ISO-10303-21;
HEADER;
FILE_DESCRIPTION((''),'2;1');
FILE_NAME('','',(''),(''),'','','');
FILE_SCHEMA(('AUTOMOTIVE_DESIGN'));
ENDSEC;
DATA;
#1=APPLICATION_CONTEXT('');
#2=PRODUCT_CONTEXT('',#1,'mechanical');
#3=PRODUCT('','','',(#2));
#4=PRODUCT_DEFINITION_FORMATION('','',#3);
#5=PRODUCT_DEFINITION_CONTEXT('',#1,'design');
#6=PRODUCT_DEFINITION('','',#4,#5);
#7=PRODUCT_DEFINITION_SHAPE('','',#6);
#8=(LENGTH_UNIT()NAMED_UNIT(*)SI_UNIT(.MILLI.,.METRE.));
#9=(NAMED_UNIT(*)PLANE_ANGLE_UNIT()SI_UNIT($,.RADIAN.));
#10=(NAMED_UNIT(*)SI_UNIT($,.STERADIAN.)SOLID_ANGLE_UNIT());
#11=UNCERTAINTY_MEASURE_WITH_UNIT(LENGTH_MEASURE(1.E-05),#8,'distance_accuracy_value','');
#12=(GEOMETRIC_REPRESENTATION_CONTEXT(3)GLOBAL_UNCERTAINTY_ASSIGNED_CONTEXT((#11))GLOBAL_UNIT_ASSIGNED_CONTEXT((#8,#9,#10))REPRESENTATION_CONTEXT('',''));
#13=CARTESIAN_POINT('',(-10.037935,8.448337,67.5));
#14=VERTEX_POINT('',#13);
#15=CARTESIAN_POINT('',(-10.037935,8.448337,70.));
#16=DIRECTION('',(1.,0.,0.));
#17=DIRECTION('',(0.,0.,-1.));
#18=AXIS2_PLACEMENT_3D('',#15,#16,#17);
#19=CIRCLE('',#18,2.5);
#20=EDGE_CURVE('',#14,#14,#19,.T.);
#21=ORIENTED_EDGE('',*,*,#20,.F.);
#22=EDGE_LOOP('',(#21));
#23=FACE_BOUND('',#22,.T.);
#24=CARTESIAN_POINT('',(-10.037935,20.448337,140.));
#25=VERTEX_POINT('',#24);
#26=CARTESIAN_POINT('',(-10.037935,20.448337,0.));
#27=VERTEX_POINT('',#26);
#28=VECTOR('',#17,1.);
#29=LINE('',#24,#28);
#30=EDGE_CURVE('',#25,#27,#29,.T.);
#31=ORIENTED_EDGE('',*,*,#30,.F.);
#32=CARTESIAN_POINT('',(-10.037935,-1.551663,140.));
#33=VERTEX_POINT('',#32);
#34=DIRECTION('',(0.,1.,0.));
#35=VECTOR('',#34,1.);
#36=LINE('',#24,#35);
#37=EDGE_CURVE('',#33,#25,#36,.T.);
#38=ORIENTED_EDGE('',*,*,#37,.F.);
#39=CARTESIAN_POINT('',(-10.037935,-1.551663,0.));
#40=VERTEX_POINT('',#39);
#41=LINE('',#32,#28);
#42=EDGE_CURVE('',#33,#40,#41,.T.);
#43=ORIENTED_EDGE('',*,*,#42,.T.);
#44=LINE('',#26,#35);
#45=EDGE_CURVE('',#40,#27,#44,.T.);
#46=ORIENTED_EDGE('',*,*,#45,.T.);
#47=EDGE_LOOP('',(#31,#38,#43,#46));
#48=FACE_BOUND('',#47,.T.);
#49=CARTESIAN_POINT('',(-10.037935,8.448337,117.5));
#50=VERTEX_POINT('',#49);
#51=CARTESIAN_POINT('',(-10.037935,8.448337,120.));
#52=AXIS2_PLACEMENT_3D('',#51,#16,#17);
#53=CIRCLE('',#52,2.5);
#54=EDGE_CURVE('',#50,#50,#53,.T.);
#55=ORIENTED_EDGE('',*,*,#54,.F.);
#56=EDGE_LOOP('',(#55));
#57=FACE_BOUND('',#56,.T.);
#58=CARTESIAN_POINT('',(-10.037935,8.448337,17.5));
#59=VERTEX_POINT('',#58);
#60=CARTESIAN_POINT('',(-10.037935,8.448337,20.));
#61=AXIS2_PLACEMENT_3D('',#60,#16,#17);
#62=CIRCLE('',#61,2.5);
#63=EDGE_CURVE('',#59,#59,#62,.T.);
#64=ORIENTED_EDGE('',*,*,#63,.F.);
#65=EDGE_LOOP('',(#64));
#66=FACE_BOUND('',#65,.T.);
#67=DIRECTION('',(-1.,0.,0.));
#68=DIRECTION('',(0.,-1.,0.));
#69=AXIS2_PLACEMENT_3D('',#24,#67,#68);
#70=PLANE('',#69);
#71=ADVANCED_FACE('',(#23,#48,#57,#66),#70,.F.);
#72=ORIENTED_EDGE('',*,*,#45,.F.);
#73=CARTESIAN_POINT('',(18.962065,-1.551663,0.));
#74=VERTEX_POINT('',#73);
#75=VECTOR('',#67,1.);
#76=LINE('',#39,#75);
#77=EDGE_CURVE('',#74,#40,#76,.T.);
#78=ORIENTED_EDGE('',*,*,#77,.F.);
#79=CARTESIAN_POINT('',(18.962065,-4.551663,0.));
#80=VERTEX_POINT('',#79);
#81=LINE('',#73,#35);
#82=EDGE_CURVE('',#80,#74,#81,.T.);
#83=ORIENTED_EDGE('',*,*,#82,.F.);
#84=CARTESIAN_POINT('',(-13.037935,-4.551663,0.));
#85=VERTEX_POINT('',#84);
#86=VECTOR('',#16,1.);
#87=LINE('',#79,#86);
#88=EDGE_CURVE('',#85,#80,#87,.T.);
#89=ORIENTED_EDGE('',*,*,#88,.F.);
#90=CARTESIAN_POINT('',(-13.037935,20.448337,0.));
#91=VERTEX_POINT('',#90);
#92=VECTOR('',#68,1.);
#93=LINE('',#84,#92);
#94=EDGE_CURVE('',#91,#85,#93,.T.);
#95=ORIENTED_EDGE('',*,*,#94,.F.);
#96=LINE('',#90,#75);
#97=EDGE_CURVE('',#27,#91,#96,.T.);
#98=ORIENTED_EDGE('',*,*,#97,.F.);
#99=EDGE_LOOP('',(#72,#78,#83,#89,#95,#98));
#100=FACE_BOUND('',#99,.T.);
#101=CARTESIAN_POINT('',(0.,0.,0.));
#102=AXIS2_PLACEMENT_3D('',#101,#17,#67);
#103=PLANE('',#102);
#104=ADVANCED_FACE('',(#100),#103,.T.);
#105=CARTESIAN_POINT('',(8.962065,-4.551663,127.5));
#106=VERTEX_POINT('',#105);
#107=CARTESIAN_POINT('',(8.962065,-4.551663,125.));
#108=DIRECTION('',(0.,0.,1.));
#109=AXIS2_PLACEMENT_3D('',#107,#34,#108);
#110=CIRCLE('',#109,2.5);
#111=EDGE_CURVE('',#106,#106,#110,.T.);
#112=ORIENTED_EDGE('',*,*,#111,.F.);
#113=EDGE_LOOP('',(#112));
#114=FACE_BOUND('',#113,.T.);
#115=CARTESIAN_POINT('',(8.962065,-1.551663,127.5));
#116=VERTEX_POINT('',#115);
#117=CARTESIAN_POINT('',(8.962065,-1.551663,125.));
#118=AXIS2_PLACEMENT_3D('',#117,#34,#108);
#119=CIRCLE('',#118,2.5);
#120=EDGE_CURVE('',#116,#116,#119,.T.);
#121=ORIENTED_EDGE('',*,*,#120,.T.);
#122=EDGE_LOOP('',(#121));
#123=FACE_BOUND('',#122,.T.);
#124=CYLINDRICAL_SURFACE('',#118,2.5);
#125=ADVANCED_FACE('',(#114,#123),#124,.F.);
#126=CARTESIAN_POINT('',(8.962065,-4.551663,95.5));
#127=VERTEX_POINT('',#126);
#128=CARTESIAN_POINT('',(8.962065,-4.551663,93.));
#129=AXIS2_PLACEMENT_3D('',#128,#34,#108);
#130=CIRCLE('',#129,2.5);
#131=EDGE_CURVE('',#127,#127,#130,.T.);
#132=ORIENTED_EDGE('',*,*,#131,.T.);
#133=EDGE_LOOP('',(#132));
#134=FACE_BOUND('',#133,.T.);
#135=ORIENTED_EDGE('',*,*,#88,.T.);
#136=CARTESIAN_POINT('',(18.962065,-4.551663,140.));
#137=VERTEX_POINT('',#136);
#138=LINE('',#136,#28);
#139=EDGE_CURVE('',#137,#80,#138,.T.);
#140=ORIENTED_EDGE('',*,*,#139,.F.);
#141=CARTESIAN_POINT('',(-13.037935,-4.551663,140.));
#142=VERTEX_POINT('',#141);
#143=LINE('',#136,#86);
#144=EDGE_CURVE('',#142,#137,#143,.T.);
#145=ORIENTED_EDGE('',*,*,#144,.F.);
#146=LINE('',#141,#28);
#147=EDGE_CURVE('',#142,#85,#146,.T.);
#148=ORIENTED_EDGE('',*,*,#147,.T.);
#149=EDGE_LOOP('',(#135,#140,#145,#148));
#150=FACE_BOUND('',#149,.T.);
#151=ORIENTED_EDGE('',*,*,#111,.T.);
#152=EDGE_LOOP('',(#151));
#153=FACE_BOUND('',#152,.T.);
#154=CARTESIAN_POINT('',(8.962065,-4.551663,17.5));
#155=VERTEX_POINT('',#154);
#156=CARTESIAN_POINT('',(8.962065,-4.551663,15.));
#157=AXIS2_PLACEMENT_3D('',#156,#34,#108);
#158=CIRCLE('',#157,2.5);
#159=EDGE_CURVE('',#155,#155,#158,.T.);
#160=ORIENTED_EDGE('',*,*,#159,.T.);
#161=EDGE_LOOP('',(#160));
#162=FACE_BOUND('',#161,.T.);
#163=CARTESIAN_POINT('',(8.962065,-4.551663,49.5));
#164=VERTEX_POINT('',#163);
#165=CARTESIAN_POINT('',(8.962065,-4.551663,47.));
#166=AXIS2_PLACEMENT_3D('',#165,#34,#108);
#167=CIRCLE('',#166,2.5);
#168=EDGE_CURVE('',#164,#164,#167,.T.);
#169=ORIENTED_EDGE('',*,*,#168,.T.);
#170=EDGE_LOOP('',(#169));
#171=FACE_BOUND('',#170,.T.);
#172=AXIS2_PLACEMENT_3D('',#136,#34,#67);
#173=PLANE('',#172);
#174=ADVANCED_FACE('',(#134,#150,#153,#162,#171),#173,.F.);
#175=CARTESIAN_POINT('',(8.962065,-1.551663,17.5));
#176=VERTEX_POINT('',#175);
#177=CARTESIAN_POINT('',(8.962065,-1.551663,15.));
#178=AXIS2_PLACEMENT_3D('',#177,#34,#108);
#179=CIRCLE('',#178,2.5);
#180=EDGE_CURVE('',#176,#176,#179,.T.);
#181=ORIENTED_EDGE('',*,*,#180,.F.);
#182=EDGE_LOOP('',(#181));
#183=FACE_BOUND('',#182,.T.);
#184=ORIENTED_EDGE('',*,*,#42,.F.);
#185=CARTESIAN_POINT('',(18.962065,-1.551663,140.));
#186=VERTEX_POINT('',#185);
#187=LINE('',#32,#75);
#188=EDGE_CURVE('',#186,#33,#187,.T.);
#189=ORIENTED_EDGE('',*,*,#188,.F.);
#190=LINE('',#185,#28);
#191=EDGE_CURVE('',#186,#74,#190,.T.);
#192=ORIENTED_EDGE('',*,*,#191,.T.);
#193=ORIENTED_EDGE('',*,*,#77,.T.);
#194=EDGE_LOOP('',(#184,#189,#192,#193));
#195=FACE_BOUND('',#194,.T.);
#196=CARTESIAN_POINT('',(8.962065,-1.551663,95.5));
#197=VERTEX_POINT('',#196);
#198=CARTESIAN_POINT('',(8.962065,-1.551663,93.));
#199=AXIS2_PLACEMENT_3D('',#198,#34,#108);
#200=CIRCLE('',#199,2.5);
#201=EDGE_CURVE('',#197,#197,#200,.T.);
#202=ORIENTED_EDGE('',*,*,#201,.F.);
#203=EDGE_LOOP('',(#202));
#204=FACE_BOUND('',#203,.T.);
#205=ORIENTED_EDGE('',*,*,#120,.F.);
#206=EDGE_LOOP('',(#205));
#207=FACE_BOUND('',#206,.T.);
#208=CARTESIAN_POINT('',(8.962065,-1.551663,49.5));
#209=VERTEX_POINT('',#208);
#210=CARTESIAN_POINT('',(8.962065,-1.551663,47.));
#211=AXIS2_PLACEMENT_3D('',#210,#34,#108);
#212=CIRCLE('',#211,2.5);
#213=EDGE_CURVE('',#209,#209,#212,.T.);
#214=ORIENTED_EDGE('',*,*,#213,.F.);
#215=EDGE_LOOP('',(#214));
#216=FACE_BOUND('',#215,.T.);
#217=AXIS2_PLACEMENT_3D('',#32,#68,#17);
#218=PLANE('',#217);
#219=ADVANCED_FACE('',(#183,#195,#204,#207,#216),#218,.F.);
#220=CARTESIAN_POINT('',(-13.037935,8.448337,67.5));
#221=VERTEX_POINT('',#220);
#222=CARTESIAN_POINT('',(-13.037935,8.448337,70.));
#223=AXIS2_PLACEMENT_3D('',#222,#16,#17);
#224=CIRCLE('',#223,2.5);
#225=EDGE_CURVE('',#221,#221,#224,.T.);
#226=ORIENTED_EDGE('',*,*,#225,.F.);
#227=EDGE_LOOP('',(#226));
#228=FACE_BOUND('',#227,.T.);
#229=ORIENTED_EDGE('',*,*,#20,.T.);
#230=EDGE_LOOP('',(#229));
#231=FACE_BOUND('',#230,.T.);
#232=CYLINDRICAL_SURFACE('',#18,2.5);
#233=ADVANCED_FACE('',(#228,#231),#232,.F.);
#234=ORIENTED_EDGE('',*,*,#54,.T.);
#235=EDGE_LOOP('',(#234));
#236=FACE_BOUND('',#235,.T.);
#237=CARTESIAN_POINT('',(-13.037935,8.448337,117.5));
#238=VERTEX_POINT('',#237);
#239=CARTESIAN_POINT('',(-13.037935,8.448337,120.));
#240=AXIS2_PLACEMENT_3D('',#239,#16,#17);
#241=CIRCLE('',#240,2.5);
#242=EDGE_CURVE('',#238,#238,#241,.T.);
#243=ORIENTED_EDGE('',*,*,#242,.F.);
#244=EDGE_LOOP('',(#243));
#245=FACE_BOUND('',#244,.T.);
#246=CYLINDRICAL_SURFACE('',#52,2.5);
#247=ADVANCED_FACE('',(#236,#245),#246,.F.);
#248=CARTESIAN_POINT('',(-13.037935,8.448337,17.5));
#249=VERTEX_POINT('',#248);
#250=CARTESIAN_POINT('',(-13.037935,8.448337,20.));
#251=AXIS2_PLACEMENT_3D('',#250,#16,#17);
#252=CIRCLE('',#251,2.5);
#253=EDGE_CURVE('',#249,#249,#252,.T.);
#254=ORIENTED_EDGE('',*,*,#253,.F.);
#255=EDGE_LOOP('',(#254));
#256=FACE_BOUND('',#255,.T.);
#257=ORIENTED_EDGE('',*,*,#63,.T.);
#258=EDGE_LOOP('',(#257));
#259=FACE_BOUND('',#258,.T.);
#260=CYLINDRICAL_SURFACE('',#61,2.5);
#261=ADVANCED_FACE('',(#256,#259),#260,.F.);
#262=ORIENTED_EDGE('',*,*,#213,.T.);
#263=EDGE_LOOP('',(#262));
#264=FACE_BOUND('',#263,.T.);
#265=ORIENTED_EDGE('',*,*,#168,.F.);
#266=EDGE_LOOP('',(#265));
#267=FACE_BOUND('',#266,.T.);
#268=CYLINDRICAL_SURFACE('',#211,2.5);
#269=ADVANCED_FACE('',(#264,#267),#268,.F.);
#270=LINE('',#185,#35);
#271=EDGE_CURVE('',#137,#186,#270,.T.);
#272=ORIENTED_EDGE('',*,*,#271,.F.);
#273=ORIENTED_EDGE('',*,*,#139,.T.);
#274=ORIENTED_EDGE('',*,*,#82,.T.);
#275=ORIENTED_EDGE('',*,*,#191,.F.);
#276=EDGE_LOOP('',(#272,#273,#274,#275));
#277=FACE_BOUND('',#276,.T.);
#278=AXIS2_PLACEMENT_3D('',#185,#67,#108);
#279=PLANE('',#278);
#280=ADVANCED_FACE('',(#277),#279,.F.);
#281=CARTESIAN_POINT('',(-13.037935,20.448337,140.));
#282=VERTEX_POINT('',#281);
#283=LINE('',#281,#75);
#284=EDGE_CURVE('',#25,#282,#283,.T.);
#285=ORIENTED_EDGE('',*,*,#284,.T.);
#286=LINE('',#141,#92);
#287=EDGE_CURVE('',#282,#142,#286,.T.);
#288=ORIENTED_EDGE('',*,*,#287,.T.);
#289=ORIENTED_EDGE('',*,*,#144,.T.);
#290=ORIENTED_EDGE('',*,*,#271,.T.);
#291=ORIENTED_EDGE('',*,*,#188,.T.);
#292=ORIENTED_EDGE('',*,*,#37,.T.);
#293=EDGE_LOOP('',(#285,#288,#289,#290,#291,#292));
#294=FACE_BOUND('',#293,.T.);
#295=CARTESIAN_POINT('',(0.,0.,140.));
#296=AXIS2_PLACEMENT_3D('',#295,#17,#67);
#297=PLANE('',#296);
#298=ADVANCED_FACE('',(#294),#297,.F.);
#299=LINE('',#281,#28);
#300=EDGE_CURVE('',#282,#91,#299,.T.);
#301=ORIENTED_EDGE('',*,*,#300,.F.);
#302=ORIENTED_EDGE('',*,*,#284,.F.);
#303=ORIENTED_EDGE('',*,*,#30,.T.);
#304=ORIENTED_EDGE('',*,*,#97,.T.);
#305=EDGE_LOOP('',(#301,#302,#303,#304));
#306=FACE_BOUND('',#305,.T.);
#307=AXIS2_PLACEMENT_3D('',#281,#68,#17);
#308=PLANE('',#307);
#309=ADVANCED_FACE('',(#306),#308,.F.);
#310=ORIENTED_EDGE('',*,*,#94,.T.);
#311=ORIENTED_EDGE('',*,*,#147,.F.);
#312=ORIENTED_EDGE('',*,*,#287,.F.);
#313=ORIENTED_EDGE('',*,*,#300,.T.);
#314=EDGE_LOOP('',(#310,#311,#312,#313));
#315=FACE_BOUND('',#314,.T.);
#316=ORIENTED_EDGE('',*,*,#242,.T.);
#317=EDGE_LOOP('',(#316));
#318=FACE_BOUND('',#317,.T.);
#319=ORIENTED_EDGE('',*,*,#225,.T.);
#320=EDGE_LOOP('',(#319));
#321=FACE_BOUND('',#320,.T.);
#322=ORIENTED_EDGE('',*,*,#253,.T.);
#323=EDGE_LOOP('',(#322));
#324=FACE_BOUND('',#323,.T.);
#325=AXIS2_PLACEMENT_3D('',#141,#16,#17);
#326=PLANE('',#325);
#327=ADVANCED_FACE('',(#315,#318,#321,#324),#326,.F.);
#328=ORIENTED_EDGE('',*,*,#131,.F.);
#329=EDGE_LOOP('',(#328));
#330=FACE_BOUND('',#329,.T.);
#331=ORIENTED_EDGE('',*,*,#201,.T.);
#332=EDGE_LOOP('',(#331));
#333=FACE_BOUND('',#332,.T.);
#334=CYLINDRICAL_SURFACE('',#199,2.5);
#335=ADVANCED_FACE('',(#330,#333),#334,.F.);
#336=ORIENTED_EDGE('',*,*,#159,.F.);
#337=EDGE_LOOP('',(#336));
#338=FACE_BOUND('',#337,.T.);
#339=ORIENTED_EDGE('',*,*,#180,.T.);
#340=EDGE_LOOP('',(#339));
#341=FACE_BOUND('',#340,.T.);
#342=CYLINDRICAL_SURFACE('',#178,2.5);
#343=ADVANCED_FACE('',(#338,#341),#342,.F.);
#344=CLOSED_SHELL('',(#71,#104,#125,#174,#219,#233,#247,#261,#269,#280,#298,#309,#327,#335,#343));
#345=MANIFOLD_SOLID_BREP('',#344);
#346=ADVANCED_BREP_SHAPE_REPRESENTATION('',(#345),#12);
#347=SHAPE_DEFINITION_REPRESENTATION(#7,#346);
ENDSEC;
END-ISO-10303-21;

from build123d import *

# Parameters (mm, degrees)
BOSS_EXTRUDE2_DEPTH            = 140
HOLE_FOR_M5_300_SC_NUTS_SP_1_D = 5
HOLE_FOR_M5_300_SC_NUTS_SP_2_D = 5


with BuildPart() as part:
    # Sketch2 → Boss-Extrude2 (new body)
    with BuildSketch(Plane.XY):
        Polygon((-10.037935248, 20.448337429), (-10.037935248, -1.551662571), (18.962064752, -1.551662571), (18.962064752, -4.551662571), (-13.037935248, -4.551662571), (-13.037935248, 20.448337429), align=None)
    extrude(amount=BOSS_EXTRUDE2_DEPTH)

    # Hole for M5 300® SC Nuts (SP)1 (through all)
    with Locations(Plane(origin=(8.962064752, -1.551662571, 15), x_dir=(0, 0, 1), z_dir=(0, 1, 0))):
        with Locations((0, 0), (32, 0), (78, 0), (110, 0)):
            Hole(HOLE_FOR_M5_300_SC_NUTS_SP_1_D / 2)

    # Hole for M5 300® SC Nuts (SP)2 (through all)
    with Locations(Plane(origin=(-10.037935248, 0, 0), x_dir=(0, 0, -1), z_dir=(1, 0, 0))):
        with Locations((-20, 8.448337429), (-70, 8.448337429), (-120, 8.448337429)):
            Hole(HOLE_FOR_M5_300_SC_NUTS_SP_2_D / 2)


solid = part.part
